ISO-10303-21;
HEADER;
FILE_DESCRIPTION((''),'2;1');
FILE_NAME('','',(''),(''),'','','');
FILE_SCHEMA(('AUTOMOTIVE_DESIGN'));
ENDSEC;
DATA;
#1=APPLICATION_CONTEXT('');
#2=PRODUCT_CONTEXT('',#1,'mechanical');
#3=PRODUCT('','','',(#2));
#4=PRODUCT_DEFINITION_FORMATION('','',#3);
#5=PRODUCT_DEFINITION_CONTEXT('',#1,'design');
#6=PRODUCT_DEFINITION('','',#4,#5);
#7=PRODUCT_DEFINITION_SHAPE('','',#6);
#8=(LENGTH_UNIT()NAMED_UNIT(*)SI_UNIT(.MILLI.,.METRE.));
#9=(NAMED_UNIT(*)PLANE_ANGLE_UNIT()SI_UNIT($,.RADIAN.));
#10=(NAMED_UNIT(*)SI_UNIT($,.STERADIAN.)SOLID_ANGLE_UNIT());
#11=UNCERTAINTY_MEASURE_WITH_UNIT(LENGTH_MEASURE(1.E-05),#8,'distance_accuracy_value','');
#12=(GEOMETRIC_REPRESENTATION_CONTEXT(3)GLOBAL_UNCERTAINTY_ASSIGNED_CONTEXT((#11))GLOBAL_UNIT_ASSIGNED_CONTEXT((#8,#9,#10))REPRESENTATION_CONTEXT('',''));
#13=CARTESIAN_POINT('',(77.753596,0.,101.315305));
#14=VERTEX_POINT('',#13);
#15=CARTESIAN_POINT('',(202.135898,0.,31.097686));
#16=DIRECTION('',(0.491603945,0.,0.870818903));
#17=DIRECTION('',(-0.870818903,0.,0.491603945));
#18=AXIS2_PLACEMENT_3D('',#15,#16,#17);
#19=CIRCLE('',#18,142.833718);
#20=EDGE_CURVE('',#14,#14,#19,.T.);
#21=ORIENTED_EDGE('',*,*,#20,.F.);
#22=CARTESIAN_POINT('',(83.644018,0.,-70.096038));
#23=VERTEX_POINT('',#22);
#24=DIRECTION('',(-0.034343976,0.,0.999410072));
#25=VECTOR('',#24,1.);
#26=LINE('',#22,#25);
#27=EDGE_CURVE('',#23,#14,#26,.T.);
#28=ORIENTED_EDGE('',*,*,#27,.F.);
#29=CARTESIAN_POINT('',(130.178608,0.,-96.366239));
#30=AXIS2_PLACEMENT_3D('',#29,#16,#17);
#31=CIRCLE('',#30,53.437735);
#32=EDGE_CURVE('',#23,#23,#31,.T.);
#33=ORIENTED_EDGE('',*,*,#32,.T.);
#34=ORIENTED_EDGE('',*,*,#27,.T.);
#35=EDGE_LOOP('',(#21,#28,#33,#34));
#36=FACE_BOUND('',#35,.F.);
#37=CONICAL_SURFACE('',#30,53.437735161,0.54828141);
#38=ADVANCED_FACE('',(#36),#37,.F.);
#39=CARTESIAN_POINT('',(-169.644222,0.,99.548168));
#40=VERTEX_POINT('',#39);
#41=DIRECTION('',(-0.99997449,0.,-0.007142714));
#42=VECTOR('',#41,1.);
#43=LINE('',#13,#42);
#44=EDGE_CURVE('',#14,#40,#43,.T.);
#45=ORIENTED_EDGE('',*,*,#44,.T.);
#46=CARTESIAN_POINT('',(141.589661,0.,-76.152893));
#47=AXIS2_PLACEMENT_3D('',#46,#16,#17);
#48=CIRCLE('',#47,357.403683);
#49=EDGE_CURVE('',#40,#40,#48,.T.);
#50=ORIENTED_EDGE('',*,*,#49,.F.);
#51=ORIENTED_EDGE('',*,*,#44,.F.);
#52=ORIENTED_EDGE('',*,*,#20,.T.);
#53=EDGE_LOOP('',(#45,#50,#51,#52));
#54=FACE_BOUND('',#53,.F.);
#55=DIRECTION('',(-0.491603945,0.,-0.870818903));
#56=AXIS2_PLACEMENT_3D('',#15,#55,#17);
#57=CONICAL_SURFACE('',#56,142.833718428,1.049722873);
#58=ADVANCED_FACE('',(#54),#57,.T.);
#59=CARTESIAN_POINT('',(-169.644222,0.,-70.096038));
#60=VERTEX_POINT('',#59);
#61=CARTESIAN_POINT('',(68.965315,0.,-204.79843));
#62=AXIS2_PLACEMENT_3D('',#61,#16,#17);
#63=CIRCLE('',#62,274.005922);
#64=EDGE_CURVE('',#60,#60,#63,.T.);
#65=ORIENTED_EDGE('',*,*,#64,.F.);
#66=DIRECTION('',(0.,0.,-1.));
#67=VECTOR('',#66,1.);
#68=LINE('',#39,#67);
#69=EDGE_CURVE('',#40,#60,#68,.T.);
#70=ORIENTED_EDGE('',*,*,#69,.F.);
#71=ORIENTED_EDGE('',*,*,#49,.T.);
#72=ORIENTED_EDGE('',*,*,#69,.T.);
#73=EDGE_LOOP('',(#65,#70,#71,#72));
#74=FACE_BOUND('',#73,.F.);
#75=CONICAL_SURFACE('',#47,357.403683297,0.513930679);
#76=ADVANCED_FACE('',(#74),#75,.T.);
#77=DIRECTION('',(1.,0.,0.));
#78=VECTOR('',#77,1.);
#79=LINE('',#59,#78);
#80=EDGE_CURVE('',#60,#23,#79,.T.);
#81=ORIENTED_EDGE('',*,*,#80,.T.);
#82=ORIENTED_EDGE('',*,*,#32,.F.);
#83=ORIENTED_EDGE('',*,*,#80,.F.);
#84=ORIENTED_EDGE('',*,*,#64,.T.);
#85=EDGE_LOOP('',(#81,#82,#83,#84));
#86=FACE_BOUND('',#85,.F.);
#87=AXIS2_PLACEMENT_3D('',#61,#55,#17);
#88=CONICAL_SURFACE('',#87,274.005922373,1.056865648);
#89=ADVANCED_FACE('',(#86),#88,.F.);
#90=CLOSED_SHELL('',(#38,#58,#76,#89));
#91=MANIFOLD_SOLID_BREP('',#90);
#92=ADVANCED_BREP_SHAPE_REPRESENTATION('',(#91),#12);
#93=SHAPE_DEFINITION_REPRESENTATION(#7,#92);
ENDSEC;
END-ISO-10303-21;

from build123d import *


with BuildPart() as f2:
    # F1 (on face) → F2 (revolve)
    with BuildSketch(Plane.XZ):
        Polygon((83.644018, -70.096038), (77.753596, 101.315305), (-169.644222, 99.548168), (-169.644222, -70.096038), align=None)
    revolve(axis=Axis((153.705228, 0, -54.691583), (0.491604, 0, 0.870819)))


solid = f2.part
